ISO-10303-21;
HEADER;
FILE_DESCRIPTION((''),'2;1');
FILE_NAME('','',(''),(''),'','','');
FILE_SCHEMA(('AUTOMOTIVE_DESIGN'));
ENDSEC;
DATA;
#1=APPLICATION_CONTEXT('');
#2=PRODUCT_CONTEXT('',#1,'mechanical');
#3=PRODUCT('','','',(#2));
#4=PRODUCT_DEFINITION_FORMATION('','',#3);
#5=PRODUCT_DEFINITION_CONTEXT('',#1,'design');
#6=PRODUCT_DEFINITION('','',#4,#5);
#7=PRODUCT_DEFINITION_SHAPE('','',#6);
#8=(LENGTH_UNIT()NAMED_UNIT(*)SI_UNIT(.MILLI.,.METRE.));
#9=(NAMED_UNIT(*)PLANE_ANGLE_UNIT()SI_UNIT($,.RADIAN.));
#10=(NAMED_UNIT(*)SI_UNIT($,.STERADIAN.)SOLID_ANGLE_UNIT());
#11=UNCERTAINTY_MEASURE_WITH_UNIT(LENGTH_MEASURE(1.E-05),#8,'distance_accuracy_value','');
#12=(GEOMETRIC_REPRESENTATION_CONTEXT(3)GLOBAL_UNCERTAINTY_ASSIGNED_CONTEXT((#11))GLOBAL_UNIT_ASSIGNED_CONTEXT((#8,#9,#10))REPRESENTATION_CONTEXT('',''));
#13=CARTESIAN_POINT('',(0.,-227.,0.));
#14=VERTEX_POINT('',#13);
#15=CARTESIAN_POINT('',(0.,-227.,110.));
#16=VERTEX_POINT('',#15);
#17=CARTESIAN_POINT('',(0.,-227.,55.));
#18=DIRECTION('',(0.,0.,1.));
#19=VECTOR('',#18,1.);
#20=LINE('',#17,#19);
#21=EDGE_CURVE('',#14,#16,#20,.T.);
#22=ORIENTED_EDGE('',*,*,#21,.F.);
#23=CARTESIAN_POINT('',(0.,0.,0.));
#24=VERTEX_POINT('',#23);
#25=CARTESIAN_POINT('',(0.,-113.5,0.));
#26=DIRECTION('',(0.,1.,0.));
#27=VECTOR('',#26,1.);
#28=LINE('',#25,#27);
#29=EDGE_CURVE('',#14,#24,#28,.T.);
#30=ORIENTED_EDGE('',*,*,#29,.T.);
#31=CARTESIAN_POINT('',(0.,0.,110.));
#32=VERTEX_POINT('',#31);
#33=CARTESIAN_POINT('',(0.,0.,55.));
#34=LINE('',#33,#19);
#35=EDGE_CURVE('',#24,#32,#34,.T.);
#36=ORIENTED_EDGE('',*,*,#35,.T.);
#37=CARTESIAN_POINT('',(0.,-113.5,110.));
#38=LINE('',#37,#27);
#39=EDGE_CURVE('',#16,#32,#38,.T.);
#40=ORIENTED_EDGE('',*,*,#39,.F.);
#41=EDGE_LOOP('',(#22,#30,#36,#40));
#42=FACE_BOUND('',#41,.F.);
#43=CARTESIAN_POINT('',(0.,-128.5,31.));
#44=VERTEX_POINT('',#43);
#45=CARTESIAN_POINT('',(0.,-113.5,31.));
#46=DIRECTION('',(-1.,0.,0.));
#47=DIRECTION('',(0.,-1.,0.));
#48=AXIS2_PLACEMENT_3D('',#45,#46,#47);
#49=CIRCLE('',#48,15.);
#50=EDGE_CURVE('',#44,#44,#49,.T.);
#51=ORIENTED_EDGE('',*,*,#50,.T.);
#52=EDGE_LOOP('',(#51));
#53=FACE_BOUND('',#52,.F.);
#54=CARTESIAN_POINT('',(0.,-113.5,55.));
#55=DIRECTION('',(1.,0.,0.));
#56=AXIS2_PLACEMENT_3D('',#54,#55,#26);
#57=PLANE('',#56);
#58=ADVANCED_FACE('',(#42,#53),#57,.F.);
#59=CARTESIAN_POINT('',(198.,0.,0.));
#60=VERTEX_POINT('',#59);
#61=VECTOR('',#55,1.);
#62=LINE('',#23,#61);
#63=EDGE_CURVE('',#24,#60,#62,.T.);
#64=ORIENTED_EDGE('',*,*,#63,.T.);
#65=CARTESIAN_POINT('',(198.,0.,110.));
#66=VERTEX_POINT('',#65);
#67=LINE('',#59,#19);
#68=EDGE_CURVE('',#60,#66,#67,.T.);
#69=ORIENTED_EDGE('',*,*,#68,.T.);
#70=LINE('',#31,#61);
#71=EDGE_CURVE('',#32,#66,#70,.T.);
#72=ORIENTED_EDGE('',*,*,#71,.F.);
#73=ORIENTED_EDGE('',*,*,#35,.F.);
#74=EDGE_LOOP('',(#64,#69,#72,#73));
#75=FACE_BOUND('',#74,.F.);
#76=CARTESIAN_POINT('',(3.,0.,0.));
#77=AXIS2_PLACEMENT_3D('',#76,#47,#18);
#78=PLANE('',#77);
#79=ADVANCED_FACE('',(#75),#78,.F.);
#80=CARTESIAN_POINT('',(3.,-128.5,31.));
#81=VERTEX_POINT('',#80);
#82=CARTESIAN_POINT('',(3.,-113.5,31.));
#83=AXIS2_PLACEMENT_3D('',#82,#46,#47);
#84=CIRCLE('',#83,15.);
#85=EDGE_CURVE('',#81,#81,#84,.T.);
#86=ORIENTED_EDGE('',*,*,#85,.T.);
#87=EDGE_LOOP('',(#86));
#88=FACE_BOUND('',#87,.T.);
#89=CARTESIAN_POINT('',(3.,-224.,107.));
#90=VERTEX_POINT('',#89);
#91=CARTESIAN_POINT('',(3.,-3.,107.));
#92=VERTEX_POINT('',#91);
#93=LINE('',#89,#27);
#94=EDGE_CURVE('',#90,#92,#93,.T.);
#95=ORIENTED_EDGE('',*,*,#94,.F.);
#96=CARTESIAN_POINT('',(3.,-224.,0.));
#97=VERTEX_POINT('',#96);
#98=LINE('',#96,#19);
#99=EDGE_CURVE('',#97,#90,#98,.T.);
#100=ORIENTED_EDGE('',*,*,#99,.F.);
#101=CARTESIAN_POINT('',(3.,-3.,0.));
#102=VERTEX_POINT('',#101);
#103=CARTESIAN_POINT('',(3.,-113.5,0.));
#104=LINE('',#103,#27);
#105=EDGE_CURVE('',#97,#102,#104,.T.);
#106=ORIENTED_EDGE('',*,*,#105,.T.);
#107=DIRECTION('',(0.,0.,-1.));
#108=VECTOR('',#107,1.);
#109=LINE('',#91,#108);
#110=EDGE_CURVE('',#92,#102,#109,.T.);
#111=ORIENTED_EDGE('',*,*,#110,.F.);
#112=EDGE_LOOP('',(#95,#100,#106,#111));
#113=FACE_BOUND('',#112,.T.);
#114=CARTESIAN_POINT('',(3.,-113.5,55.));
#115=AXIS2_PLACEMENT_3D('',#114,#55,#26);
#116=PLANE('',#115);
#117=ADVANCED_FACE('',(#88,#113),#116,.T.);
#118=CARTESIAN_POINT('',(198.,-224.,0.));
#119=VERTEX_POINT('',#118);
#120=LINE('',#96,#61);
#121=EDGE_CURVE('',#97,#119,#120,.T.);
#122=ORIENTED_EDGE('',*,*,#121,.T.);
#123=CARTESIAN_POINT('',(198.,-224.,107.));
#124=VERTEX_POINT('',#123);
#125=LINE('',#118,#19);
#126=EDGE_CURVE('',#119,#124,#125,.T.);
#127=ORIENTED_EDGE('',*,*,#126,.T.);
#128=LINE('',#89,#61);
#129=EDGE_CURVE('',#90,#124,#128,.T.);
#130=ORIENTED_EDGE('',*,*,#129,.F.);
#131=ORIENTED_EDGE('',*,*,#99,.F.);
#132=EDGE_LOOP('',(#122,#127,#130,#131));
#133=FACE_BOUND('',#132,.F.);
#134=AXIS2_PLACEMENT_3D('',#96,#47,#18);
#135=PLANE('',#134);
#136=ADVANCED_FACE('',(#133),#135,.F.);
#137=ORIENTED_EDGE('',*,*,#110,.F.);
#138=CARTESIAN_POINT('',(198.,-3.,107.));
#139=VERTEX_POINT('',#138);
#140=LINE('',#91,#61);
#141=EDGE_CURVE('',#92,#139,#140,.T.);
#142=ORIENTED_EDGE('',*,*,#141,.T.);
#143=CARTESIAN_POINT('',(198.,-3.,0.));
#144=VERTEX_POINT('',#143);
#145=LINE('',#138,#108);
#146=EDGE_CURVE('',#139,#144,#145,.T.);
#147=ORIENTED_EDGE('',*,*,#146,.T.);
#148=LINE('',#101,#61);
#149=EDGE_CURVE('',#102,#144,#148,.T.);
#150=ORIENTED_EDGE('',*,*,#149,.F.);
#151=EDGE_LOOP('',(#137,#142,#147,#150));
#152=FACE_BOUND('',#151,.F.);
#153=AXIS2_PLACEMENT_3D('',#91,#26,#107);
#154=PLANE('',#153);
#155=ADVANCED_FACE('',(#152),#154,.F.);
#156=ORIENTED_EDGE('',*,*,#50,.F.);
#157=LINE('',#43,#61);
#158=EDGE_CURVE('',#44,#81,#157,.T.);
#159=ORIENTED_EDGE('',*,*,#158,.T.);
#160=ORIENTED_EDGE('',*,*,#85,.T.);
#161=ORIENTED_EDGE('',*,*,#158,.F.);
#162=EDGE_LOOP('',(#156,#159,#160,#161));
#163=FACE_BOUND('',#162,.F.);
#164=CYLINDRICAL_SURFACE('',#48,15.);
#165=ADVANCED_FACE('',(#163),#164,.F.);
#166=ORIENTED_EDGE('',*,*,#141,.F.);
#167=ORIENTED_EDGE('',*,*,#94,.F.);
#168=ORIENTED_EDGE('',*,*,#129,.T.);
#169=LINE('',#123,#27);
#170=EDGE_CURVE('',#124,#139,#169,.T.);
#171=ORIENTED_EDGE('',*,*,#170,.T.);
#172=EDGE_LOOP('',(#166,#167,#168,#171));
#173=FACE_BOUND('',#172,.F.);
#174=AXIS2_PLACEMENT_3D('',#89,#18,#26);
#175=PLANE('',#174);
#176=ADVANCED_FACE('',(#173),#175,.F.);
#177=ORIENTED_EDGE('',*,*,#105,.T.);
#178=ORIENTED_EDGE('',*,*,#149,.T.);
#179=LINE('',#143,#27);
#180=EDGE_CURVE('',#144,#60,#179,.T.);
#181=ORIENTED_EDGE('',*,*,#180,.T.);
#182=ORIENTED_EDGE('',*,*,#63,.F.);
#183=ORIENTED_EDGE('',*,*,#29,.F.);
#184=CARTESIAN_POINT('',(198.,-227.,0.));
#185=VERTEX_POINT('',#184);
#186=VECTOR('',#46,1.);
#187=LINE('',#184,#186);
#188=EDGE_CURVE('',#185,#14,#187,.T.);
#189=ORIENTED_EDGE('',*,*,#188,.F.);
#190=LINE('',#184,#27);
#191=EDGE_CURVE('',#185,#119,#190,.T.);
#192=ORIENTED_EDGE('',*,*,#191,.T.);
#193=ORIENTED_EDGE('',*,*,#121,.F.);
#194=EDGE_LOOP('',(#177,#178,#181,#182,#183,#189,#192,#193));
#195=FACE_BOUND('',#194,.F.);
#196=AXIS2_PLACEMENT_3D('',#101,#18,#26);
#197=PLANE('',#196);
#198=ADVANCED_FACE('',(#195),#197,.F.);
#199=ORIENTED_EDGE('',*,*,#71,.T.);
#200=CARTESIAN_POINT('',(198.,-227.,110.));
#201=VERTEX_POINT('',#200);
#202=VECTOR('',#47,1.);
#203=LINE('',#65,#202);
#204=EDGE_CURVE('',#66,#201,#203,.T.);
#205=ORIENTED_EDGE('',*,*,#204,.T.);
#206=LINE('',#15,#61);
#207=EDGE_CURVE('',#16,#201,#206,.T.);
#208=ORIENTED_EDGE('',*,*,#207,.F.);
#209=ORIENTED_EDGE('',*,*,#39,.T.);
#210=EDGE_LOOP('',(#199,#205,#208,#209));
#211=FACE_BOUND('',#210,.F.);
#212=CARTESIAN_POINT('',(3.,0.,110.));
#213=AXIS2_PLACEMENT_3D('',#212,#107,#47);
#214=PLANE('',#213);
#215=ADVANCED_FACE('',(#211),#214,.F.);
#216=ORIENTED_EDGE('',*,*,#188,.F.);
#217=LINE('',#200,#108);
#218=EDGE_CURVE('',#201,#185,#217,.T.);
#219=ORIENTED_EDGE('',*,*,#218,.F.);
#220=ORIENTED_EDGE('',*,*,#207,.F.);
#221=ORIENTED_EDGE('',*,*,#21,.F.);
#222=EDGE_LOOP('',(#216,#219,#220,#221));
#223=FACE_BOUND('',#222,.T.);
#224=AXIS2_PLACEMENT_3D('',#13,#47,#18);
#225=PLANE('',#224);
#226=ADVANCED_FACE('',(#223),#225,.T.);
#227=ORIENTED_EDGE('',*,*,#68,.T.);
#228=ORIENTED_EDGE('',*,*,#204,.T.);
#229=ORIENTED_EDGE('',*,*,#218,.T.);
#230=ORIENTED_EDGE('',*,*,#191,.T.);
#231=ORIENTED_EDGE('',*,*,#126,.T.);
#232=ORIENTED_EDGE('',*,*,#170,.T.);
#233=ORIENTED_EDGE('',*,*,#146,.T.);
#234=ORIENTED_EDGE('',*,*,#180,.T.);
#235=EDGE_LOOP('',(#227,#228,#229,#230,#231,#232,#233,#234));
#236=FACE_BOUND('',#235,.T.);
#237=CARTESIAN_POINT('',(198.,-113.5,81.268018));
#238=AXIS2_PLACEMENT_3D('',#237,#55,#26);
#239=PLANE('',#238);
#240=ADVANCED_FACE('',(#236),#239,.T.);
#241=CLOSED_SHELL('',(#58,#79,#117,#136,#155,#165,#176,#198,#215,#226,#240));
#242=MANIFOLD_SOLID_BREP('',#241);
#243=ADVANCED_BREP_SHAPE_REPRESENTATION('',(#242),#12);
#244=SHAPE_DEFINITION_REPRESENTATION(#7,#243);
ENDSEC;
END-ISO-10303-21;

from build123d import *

# Parameters (mm, degrees)
F0_W     = 227
F0_H     = 110
F1_DEPTH = 3
F3_DEPTH = 195
F4_R     = 15
F5_DEPTH = 25


with BuildPart() as f1:
    # F0 (on Right) → F1 (new body)
    with BuildSketch(Plane.YZ):
        with Locations((-113.5, 55)):
            Rectangle(F0_W, F0_H)
    extrude(amount=F1_DEPTH)

    # F2 (on face) → F3 (join)
    with BuildSketch(Plane.YZ.offset(3)):
        Polygon((-3, 0), (0, 0), (0, 110), (-227, 110), (-227, 0), (-224, 0), (-224, 107), (-3, 107), align=None)
    extrude(amount=F3_DEPTH)

    # F4 (on face) → F5 (cut)
    with BuildSketch(Plane(origin=(0, 0, 0), x_dir=(0, -1, 0), z_dir=(-1, 0, 0))):
        with Locations((113.5, 31)):
            Circle(F4_R)
    extrude(amount=-F5_DEPTH, mode=Mode.SUBTRACT)


solid = f1.part
